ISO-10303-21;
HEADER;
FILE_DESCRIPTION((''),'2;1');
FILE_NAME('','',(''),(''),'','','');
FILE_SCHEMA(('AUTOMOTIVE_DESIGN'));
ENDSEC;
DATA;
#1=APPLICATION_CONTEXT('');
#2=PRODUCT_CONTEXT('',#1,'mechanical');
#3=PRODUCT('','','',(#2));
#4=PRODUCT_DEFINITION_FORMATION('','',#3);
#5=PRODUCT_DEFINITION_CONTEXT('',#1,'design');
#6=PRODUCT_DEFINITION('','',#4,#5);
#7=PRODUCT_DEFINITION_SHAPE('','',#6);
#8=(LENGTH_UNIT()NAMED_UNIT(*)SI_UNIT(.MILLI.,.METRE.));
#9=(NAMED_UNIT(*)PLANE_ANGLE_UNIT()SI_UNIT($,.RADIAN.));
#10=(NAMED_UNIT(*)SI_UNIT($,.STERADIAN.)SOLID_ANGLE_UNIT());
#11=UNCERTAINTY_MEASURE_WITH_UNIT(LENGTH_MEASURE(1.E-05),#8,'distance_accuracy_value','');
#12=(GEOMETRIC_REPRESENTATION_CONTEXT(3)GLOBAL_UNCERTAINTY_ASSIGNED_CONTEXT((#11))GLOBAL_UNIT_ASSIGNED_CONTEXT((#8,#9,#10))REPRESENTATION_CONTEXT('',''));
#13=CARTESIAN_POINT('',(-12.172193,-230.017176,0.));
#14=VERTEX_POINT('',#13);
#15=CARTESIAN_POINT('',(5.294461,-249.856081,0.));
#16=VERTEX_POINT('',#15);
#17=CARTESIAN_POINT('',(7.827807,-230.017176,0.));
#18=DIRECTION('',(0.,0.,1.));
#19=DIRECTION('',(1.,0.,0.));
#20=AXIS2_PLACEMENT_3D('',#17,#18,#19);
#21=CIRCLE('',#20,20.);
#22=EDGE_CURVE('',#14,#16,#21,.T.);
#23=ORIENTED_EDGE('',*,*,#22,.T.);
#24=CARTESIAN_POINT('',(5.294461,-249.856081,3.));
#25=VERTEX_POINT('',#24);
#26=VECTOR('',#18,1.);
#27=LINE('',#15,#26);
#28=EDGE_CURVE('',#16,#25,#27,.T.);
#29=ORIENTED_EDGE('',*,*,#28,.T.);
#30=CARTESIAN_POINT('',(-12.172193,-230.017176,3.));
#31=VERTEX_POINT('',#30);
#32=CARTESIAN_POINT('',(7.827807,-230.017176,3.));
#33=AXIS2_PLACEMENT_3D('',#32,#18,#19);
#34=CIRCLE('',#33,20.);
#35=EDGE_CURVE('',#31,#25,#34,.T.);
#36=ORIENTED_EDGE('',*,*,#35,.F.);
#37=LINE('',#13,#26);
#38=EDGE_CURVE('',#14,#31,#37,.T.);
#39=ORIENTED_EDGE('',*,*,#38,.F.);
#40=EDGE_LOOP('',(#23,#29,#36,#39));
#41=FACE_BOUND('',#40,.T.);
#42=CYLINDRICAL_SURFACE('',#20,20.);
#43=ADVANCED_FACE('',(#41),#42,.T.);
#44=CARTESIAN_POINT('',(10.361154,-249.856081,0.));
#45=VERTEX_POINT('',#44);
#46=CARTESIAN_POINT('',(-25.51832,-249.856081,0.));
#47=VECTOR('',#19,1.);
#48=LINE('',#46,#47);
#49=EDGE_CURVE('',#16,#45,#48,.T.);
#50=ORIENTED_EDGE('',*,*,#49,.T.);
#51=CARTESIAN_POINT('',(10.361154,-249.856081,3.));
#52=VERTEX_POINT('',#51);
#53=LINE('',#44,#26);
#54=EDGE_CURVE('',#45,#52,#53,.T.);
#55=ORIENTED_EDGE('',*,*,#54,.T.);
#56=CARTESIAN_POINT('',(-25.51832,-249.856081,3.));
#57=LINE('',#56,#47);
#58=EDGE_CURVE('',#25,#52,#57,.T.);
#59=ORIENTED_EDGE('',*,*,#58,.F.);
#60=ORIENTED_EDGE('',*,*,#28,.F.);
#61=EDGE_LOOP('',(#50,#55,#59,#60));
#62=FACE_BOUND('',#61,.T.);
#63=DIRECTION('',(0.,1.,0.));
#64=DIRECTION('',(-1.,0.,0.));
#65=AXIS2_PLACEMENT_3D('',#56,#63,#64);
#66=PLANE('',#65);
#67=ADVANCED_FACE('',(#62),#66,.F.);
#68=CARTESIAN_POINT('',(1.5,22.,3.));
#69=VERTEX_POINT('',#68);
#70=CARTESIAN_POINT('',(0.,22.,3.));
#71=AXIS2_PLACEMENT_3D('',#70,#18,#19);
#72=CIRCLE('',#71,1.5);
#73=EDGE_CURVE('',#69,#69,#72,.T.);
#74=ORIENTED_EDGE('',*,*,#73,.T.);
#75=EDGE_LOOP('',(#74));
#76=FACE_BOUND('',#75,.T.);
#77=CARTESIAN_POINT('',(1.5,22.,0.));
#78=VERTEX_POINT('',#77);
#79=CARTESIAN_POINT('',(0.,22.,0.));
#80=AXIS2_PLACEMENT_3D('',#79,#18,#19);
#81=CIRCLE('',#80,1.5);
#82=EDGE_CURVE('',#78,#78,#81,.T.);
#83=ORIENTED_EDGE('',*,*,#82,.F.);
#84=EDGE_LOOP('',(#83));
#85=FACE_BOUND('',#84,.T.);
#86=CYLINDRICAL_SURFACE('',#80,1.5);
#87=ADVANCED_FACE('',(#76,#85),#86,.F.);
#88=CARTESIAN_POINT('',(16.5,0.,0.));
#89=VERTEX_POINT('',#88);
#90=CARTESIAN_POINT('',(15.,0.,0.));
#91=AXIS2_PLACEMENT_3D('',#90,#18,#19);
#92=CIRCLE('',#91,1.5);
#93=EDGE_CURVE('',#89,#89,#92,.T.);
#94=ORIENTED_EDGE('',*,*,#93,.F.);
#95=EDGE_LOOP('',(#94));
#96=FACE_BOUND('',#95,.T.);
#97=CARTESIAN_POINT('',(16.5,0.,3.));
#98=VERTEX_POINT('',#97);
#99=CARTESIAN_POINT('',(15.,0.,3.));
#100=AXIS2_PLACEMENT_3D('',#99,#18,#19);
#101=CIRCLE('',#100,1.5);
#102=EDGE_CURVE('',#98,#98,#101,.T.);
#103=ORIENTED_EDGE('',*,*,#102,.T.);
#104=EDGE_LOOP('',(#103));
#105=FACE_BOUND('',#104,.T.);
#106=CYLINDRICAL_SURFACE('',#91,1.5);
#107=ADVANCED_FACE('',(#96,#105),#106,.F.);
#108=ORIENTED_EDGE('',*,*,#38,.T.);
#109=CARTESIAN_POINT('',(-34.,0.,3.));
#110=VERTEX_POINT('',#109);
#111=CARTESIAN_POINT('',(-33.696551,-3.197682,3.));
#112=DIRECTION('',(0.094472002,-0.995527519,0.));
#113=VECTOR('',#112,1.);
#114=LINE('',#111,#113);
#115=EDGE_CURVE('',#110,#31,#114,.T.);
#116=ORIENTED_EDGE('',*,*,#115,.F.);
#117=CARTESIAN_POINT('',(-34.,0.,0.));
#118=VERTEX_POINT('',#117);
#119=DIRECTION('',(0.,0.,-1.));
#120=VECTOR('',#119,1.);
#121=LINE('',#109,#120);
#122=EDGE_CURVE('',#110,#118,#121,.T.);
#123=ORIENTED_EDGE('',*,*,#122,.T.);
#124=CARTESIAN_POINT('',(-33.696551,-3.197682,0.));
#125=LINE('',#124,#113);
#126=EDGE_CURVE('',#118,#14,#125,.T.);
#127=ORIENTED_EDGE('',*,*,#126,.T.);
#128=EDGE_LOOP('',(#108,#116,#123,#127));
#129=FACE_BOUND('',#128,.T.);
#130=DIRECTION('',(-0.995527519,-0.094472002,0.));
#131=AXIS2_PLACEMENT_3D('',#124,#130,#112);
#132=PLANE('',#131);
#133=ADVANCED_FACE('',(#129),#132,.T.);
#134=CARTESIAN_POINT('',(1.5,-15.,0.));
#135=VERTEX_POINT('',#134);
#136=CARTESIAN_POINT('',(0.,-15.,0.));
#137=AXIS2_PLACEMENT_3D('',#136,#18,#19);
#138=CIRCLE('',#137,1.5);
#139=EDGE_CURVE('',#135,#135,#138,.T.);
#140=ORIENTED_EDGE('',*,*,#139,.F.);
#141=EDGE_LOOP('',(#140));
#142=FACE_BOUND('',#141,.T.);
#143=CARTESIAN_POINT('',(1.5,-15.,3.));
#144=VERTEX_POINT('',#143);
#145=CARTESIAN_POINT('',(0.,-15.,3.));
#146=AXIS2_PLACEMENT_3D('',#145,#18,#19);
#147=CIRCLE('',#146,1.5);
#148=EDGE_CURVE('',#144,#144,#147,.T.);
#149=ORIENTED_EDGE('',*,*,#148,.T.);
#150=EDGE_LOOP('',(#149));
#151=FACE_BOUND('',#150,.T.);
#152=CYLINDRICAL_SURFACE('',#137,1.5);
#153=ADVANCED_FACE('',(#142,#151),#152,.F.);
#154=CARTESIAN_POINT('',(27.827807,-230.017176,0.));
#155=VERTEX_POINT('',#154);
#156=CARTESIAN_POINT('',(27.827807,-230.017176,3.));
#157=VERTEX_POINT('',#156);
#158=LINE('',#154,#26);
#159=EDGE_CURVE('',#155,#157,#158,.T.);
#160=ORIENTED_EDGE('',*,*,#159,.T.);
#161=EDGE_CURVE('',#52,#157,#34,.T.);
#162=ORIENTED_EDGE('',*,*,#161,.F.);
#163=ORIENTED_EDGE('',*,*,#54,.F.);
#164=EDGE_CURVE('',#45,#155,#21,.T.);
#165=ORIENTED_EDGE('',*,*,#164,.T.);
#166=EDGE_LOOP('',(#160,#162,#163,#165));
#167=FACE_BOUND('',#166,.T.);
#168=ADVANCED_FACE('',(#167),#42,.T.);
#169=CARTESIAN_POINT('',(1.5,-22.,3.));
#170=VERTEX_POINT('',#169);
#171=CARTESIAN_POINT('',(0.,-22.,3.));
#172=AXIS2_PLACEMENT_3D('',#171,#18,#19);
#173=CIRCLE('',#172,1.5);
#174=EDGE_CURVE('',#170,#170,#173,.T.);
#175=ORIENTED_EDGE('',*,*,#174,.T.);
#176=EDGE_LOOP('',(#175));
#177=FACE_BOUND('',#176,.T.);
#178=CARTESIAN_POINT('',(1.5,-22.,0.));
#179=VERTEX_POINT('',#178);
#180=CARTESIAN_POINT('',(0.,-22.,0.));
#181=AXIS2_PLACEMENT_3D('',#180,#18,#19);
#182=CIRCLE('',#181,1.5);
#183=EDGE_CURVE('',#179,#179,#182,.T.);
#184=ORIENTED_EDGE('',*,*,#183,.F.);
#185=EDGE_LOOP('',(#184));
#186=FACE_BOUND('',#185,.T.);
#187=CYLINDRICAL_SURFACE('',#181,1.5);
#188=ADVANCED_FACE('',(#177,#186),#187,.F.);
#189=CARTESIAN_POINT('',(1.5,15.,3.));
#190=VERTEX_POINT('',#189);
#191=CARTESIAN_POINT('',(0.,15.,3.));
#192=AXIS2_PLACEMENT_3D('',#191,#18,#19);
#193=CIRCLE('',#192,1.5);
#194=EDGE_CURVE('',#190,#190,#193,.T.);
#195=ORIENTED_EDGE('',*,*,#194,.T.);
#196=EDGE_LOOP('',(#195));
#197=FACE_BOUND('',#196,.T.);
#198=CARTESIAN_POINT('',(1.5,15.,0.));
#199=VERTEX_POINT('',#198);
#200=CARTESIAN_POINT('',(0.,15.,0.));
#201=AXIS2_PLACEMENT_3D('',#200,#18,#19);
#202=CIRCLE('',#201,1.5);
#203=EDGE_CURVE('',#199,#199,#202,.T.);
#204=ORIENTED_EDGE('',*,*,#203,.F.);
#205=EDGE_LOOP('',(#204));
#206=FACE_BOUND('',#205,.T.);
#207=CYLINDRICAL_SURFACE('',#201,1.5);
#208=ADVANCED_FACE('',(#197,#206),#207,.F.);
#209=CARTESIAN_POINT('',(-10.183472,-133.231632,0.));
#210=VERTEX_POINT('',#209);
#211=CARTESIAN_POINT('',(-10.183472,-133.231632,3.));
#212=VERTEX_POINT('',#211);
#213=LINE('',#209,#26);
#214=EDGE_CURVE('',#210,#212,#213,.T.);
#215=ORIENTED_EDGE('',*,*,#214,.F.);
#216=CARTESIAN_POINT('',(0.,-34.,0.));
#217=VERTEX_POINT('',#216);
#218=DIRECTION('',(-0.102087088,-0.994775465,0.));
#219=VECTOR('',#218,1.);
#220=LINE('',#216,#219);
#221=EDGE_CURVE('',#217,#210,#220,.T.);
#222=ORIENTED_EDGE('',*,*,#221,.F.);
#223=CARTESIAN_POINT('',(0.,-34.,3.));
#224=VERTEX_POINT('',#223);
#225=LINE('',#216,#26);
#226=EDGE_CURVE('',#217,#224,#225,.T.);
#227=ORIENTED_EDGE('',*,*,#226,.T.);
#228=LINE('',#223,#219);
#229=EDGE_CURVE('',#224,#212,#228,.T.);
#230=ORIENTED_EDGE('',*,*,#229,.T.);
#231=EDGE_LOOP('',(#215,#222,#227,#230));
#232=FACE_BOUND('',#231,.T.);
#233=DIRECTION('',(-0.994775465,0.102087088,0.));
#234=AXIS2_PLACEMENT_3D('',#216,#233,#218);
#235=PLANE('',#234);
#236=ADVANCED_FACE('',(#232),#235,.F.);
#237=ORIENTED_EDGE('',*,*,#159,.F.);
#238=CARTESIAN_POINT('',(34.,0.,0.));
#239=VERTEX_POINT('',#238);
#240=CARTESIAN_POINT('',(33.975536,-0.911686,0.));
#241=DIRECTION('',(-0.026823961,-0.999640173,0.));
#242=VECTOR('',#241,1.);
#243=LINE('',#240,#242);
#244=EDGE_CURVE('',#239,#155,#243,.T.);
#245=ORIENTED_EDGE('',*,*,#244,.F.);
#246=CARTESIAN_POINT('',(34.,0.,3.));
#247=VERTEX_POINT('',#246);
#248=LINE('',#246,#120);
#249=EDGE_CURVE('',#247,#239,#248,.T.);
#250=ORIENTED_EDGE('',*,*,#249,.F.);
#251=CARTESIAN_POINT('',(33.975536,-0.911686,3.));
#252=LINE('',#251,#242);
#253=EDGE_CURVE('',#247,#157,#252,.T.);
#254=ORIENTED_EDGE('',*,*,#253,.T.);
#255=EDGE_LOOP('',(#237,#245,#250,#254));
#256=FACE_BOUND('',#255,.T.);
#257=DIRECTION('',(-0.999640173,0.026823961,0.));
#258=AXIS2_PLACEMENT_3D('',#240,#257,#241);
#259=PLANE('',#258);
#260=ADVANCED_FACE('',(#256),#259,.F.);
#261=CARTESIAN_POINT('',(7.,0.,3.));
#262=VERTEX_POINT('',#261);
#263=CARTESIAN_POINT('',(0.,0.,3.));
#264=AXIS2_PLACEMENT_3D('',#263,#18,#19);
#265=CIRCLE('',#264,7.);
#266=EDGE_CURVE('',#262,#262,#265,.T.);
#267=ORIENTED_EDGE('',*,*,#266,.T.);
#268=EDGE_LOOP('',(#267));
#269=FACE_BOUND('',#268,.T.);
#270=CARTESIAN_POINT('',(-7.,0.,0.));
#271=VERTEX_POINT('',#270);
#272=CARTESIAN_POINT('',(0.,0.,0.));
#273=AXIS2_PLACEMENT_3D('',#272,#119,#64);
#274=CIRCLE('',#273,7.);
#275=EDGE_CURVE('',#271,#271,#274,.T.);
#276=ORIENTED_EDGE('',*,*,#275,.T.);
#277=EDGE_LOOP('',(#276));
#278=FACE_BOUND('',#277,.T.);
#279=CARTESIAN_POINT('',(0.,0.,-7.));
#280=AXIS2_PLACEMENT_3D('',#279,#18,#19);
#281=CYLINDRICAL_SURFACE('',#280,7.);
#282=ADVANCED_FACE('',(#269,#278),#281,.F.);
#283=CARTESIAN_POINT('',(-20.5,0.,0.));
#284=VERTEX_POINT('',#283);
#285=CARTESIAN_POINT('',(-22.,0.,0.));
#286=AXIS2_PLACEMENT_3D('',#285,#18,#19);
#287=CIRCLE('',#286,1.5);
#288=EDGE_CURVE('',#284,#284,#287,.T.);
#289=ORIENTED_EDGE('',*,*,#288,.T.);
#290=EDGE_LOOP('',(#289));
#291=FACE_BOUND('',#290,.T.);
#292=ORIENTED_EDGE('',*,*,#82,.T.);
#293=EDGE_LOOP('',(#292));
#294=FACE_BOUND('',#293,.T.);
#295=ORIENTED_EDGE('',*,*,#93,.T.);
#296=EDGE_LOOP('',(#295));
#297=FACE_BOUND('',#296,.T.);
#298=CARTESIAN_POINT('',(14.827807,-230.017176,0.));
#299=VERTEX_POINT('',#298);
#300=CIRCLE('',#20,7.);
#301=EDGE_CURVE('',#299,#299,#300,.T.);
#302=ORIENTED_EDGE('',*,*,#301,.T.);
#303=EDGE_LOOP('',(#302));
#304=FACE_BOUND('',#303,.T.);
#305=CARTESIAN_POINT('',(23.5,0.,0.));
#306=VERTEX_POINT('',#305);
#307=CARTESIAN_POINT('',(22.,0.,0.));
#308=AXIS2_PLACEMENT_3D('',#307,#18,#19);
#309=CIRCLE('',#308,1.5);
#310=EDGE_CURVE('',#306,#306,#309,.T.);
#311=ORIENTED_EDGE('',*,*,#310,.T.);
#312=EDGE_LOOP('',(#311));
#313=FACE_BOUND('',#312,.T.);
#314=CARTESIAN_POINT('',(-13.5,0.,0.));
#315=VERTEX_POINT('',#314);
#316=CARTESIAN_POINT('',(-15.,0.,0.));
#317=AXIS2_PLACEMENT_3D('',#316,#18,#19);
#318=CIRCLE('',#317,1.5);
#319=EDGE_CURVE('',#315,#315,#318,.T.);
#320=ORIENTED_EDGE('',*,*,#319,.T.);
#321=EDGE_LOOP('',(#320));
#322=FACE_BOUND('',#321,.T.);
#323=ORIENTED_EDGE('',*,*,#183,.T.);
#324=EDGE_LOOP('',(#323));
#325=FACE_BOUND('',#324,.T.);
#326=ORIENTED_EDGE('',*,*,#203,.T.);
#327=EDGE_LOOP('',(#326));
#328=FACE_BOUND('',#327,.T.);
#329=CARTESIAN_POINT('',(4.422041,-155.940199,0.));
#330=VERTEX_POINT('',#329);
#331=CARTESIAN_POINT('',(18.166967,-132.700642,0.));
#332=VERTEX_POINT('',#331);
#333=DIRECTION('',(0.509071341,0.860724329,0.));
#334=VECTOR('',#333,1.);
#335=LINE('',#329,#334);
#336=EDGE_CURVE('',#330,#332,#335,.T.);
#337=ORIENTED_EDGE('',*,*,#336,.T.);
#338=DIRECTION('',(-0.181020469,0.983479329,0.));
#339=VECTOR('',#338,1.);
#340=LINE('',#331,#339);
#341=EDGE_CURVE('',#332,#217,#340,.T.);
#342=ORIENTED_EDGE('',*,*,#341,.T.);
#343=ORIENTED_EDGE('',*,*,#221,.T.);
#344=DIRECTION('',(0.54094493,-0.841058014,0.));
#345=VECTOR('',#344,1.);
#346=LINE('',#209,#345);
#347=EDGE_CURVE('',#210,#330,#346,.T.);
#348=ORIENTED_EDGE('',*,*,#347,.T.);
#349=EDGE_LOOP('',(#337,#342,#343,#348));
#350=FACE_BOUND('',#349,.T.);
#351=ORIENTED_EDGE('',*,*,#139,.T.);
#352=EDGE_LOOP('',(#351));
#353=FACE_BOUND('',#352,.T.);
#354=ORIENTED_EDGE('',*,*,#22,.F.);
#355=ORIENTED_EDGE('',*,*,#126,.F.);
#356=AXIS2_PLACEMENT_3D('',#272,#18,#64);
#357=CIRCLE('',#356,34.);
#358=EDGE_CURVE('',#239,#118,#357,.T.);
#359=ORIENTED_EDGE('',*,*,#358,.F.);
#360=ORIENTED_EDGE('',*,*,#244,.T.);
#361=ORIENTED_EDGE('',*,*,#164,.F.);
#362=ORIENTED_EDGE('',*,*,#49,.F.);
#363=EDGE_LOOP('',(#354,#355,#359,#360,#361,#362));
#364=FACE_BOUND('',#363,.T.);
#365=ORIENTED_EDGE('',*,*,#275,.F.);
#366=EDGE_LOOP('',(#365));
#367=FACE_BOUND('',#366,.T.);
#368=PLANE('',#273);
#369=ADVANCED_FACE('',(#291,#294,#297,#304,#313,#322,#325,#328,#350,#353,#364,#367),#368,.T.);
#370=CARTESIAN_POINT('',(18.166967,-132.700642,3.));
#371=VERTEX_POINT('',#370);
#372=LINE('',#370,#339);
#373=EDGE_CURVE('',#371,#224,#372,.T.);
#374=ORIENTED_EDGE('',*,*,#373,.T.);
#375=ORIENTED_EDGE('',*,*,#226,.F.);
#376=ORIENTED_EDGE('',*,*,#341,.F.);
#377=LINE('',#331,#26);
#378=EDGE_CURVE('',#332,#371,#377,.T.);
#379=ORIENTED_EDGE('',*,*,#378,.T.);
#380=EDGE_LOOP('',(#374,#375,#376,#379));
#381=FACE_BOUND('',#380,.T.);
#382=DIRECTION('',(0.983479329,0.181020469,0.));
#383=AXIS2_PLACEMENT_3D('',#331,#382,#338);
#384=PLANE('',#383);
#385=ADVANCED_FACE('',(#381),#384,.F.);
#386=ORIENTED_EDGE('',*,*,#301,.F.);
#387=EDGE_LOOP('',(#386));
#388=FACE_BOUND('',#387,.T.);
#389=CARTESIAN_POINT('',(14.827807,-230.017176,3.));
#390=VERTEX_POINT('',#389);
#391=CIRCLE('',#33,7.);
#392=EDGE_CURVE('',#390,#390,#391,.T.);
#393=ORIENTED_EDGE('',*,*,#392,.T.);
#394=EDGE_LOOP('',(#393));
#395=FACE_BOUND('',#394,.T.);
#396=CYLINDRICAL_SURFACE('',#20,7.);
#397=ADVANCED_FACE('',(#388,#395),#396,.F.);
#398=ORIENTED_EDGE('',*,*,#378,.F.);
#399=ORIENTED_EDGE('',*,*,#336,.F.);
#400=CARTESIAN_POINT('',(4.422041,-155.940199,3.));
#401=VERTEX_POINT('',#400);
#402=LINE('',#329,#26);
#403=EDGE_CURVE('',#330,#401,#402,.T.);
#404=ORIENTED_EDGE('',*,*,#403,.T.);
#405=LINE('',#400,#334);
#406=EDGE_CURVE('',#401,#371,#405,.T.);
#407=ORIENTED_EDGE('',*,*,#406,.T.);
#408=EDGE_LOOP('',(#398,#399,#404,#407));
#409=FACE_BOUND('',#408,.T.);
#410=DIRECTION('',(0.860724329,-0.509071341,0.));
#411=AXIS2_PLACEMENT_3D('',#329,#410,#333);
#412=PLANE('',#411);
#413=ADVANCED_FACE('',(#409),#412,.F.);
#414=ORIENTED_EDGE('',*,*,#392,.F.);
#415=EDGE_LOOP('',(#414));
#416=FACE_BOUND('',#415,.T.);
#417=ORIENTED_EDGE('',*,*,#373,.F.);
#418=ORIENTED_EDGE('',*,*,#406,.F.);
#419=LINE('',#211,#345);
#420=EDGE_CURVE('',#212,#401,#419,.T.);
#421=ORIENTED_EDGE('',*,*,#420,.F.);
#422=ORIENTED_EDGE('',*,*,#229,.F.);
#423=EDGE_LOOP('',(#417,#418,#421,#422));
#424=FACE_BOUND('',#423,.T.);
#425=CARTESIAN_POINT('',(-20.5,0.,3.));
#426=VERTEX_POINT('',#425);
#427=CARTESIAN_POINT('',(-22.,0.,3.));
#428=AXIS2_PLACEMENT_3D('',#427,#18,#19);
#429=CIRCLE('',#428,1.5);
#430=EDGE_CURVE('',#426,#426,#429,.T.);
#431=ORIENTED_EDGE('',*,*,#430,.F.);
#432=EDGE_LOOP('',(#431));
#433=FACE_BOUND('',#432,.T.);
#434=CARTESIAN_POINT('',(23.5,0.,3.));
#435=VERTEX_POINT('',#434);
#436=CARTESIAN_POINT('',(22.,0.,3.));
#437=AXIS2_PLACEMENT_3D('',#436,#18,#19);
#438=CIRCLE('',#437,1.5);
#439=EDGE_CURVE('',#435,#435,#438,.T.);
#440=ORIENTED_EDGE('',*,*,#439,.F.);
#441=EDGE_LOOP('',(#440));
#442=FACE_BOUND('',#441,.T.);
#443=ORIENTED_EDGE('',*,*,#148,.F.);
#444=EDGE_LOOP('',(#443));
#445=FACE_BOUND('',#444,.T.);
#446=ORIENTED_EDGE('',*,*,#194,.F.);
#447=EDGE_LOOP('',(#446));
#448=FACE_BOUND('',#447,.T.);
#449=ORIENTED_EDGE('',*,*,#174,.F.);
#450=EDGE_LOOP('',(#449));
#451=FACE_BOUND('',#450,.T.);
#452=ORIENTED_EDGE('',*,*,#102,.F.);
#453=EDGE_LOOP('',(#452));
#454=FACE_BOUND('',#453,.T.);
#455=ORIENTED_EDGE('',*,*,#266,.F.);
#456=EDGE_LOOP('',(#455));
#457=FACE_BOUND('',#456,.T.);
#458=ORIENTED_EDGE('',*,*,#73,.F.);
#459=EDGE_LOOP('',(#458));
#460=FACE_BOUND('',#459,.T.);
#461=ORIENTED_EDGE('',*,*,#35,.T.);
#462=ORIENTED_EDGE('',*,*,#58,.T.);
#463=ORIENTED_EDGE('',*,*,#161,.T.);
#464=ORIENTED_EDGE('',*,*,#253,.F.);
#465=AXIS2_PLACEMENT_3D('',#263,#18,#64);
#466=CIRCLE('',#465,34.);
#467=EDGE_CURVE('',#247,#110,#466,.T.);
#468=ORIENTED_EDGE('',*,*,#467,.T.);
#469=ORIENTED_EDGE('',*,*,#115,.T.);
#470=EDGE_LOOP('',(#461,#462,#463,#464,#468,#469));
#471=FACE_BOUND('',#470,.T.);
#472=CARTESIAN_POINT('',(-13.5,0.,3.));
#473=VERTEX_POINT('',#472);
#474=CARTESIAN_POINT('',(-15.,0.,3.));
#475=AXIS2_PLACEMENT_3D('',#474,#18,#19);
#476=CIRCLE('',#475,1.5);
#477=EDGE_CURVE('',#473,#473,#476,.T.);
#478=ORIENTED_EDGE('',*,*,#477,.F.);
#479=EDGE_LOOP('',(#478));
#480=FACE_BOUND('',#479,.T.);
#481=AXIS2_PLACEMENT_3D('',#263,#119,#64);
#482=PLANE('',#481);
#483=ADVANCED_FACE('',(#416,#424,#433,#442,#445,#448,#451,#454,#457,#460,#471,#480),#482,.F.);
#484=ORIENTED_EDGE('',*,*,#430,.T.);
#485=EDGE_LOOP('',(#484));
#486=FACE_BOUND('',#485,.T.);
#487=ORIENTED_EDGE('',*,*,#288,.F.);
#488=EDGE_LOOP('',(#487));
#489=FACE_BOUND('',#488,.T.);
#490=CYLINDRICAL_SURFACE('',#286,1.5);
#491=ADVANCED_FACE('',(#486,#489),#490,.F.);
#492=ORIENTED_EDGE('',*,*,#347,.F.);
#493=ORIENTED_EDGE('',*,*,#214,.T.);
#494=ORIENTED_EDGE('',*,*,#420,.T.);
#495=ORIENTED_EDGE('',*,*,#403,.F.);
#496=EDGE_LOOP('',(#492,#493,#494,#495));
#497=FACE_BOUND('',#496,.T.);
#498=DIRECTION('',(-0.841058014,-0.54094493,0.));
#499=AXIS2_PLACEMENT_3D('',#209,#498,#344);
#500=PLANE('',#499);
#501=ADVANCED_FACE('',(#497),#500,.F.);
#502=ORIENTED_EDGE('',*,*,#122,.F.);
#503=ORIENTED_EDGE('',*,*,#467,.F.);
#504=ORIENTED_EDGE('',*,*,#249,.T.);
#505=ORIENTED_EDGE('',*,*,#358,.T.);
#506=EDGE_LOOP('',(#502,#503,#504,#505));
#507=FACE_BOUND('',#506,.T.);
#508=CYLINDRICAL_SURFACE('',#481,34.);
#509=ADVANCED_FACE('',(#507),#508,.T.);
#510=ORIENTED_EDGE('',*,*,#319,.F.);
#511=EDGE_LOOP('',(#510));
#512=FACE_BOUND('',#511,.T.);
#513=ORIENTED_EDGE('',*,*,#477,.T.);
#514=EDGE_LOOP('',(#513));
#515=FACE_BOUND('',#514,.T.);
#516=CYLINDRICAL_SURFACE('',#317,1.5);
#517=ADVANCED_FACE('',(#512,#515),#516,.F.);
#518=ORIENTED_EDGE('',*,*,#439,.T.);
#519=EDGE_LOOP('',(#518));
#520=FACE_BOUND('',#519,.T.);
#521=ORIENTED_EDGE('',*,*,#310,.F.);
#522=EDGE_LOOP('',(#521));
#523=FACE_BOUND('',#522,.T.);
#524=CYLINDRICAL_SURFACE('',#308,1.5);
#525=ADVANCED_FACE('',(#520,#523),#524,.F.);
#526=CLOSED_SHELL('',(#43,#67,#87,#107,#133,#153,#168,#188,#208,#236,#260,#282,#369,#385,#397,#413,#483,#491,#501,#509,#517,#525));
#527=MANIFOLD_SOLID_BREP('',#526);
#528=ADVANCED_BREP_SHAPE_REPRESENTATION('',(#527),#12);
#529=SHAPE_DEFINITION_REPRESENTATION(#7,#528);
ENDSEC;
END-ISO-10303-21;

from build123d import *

# Parameters (mm, degrees)
EXTRUDE_1_DEPTH     = 3
CUT_EXTRUDE_1_DEPTH = 3
CUT_EXTRUDE_2_DEPTH = 3
SKETCH_5_R          = 1.5
CUT_EXTRUDE_3_DEPTH = 3
CUT_EXTRUDE_4_DEPTH = 3
SKETCH_7_R          = 7
CUT_EXTRUDE_5_DEPTH = 3
SKETCH_8_R          = 7
CUT_EXTRUDE_6_DEPTH = 10


with BuildPart() as part:
    # 草图1 → 凸台-拉伸1 (new body)
    with BuildSketch(Plane.XY):
        with BuildLine():
            Line((34, 0), (42.481679801, -249.85608079))
            Line((42.481679801, -249.85608079), (-25.518320199, -249.85608079))
            Line((-25.518320199, -249.85608079), (-34, 0))
            ThreePointArc((-34, 0), (0, 34), (34, 0))
        make_face()
    extrude(amount=EXTRUDE_1_DEPTH)

    # 草图3 → 切除-拉伸1 (cut)
    with BuildSketch(Plane.XY.offset(3)):
        with BuildLine():
            Line((-12.172192567, -230.017175725), (-34, 0))
            Line((-34, 0), (-25.518320199, -249.85608079))
            Line((-25.518320199, -249.85608079), (5.294460669, -249.85608079))
            ThreePointArc((5.294460669, -249.85608079), (-7.18330404, -243.233322379), (-12.172192567, -230.017175725))
        make_face()
    extrude(amount=-CUT_EXTRUDE_1_DEPTH, mode=Mode.SUBTRACT)

    # 草图3<4> → 切除-拉伸2 (cut)
    with BuildSketch(Plane.XY.offset(3)):
        with BuildLine():
            Line((42.481679801, -249.85608079), (34, 0))
            Line((34, 0), (27.827807433, -230.017175725))
            ThreePointArc((27.827807433, -230.017175725), (22.838918905, -243.233322379), (10.361154196, -249.85608079))
            Line((10.361154196, -249.85608079), (42.481679801, -249.85608079))
        make_face()
    extrude(amount=-CUT_EXTRUDE_2_DEPTH, mode=Mode.SUBTRACT)

    # 草图5 → 切除-拉伸3 (cut)
    with BuildSketch(Plane.XY.offset(3)):
        with Locations((0, 22)):
            Circle(SKETCH_5_R)
        with Locations((0, 15)):
            Circle(SKETCH_5_R)
        with Locations((-22, 0)):
            Circle(SKETCH_5_R)
        with Locations((-15, 0)):
            Circle(SKETCH_5_R)
        with Locations((0, -15)):
            Circle(SKETCH_5_R)
        with Locations((15, 0)):
            Circle(SKETCH_5_R)
        with Locations((22, 0)):
            Circle(SKETCH_5_R)
        with Locations((0, -22)):
            Circle(SKETCH_5_R)
    extrude(amount=-CUT_EXTRUDE_3_DEPTH, mode=Mode.SUBTRACT)

    # 草图6 → 切除-拉伸4 (cut)
    with BuildSketch(Plane.XY.offset(3)):
        Polygon((0, -34), (-10.183472327, -133.231632376), (4.42204079, -155.940198746), (18.166966985, -132.700641867), align=None)
    extrude(amount=-CUT_EXTRUDE_4_DEPTH, mode=Mode.SUBTRACT)

    # 草图7 → 切除-拉伸5 (cut)
    with BuildSketch(Plane.XY.offset(3)):
        with Locations((7.827807433, -230.017175725)):
            Circle(SKETCH_7_R)
    extrude(amount=-CUT_EXTRUDE_5_DEPTH, mode=Mode.SUBTRACT)

    # 草图8 → 切除-拉伸6 (cut)
    with BuildSketch(Plane.XY.offset(3)):
        Circle(SKETCH_8_R)
    extrude(amount=-CUT_EXTRUDE_6_DEPTH, mode=Mode.SUBTRACT)


solid = part.part
